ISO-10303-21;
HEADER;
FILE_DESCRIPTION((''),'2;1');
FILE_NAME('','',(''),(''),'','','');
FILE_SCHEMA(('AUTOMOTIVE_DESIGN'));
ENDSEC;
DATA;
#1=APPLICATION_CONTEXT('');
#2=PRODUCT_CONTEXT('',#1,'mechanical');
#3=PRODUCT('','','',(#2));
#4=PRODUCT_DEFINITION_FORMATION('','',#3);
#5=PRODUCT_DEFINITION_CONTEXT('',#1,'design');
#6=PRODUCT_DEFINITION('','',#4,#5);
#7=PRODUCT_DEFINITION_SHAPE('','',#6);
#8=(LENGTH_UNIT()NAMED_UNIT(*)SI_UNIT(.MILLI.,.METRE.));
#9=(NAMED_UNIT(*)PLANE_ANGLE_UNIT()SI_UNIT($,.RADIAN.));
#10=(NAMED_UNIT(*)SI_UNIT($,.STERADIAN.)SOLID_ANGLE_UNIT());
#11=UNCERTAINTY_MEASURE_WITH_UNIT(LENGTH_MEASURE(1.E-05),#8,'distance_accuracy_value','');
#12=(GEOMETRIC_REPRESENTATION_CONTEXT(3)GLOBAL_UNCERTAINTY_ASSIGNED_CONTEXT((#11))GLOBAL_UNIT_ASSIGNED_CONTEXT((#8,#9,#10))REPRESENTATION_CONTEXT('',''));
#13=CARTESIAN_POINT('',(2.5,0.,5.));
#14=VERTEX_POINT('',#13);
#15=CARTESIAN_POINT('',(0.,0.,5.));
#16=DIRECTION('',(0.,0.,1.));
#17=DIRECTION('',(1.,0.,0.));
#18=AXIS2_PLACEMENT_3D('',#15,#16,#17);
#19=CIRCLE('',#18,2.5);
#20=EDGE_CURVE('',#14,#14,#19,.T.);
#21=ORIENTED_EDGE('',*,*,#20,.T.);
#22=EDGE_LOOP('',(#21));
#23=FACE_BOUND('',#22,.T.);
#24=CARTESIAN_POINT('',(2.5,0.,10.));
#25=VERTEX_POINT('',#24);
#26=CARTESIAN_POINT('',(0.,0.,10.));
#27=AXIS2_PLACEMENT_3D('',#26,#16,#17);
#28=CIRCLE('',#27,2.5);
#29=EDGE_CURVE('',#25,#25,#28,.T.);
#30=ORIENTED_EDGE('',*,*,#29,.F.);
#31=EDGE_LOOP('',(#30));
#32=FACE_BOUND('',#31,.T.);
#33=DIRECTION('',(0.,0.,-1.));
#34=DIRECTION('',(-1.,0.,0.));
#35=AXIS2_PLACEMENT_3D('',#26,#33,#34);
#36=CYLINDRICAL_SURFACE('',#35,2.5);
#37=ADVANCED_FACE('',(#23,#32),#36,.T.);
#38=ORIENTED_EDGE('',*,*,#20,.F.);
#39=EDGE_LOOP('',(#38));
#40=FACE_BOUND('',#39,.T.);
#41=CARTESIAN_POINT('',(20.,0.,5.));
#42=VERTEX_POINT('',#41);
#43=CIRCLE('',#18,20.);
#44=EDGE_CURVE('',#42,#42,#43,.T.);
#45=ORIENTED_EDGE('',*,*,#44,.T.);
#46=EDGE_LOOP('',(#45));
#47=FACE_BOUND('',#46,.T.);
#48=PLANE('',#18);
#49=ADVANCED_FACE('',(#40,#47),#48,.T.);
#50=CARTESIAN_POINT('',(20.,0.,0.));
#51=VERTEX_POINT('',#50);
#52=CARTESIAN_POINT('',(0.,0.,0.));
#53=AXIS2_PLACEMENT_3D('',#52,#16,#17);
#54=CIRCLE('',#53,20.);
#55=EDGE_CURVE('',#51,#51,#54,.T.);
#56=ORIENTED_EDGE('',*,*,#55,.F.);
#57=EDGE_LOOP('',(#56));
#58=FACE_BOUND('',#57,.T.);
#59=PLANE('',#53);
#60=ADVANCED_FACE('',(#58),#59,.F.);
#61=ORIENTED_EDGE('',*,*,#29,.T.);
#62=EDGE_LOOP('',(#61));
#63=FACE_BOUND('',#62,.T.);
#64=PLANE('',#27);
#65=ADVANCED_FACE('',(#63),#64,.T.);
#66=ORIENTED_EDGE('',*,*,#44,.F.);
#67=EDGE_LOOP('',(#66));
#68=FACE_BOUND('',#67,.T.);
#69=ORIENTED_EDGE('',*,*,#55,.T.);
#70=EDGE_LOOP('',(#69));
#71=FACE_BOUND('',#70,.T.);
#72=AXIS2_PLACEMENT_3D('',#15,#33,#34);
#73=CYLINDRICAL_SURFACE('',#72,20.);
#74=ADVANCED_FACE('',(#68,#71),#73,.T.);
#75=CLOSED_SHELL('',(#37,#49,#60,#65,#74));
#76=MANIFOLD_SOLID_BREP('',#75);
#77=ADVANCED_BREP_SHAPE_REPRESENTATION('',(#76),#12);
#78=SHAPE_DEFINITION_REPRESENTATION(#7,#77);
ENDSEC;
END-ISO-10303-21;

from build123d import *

# Parameters (mm, degrees)
CROQUIS2_R              = 20
SALIENTE_EXTRUIR2_DEPTH = 5
CROQUIS3_R              = 2.5
SALIENTE_EXTRUIR4_DEPTH = 5


with BuildPart() as part:
    # Croquis2 → Saliente-Extruir2 (new body)
    with BuildSketch(Plane.XY):
        Circle(CROQUIS2_R)
    extrude(amount=SALIENTE_EXTRUIR2_DEPTH)

    # Croquis3 → Saliente-Extruir4 (add)
    with BuildSketch(Plane.XY.offset(5)):
        Circle(CROQUIS3_R)
    extrude(amount=SALIENTE_EXTRUIR4_DEPTH)


solid = part.part
